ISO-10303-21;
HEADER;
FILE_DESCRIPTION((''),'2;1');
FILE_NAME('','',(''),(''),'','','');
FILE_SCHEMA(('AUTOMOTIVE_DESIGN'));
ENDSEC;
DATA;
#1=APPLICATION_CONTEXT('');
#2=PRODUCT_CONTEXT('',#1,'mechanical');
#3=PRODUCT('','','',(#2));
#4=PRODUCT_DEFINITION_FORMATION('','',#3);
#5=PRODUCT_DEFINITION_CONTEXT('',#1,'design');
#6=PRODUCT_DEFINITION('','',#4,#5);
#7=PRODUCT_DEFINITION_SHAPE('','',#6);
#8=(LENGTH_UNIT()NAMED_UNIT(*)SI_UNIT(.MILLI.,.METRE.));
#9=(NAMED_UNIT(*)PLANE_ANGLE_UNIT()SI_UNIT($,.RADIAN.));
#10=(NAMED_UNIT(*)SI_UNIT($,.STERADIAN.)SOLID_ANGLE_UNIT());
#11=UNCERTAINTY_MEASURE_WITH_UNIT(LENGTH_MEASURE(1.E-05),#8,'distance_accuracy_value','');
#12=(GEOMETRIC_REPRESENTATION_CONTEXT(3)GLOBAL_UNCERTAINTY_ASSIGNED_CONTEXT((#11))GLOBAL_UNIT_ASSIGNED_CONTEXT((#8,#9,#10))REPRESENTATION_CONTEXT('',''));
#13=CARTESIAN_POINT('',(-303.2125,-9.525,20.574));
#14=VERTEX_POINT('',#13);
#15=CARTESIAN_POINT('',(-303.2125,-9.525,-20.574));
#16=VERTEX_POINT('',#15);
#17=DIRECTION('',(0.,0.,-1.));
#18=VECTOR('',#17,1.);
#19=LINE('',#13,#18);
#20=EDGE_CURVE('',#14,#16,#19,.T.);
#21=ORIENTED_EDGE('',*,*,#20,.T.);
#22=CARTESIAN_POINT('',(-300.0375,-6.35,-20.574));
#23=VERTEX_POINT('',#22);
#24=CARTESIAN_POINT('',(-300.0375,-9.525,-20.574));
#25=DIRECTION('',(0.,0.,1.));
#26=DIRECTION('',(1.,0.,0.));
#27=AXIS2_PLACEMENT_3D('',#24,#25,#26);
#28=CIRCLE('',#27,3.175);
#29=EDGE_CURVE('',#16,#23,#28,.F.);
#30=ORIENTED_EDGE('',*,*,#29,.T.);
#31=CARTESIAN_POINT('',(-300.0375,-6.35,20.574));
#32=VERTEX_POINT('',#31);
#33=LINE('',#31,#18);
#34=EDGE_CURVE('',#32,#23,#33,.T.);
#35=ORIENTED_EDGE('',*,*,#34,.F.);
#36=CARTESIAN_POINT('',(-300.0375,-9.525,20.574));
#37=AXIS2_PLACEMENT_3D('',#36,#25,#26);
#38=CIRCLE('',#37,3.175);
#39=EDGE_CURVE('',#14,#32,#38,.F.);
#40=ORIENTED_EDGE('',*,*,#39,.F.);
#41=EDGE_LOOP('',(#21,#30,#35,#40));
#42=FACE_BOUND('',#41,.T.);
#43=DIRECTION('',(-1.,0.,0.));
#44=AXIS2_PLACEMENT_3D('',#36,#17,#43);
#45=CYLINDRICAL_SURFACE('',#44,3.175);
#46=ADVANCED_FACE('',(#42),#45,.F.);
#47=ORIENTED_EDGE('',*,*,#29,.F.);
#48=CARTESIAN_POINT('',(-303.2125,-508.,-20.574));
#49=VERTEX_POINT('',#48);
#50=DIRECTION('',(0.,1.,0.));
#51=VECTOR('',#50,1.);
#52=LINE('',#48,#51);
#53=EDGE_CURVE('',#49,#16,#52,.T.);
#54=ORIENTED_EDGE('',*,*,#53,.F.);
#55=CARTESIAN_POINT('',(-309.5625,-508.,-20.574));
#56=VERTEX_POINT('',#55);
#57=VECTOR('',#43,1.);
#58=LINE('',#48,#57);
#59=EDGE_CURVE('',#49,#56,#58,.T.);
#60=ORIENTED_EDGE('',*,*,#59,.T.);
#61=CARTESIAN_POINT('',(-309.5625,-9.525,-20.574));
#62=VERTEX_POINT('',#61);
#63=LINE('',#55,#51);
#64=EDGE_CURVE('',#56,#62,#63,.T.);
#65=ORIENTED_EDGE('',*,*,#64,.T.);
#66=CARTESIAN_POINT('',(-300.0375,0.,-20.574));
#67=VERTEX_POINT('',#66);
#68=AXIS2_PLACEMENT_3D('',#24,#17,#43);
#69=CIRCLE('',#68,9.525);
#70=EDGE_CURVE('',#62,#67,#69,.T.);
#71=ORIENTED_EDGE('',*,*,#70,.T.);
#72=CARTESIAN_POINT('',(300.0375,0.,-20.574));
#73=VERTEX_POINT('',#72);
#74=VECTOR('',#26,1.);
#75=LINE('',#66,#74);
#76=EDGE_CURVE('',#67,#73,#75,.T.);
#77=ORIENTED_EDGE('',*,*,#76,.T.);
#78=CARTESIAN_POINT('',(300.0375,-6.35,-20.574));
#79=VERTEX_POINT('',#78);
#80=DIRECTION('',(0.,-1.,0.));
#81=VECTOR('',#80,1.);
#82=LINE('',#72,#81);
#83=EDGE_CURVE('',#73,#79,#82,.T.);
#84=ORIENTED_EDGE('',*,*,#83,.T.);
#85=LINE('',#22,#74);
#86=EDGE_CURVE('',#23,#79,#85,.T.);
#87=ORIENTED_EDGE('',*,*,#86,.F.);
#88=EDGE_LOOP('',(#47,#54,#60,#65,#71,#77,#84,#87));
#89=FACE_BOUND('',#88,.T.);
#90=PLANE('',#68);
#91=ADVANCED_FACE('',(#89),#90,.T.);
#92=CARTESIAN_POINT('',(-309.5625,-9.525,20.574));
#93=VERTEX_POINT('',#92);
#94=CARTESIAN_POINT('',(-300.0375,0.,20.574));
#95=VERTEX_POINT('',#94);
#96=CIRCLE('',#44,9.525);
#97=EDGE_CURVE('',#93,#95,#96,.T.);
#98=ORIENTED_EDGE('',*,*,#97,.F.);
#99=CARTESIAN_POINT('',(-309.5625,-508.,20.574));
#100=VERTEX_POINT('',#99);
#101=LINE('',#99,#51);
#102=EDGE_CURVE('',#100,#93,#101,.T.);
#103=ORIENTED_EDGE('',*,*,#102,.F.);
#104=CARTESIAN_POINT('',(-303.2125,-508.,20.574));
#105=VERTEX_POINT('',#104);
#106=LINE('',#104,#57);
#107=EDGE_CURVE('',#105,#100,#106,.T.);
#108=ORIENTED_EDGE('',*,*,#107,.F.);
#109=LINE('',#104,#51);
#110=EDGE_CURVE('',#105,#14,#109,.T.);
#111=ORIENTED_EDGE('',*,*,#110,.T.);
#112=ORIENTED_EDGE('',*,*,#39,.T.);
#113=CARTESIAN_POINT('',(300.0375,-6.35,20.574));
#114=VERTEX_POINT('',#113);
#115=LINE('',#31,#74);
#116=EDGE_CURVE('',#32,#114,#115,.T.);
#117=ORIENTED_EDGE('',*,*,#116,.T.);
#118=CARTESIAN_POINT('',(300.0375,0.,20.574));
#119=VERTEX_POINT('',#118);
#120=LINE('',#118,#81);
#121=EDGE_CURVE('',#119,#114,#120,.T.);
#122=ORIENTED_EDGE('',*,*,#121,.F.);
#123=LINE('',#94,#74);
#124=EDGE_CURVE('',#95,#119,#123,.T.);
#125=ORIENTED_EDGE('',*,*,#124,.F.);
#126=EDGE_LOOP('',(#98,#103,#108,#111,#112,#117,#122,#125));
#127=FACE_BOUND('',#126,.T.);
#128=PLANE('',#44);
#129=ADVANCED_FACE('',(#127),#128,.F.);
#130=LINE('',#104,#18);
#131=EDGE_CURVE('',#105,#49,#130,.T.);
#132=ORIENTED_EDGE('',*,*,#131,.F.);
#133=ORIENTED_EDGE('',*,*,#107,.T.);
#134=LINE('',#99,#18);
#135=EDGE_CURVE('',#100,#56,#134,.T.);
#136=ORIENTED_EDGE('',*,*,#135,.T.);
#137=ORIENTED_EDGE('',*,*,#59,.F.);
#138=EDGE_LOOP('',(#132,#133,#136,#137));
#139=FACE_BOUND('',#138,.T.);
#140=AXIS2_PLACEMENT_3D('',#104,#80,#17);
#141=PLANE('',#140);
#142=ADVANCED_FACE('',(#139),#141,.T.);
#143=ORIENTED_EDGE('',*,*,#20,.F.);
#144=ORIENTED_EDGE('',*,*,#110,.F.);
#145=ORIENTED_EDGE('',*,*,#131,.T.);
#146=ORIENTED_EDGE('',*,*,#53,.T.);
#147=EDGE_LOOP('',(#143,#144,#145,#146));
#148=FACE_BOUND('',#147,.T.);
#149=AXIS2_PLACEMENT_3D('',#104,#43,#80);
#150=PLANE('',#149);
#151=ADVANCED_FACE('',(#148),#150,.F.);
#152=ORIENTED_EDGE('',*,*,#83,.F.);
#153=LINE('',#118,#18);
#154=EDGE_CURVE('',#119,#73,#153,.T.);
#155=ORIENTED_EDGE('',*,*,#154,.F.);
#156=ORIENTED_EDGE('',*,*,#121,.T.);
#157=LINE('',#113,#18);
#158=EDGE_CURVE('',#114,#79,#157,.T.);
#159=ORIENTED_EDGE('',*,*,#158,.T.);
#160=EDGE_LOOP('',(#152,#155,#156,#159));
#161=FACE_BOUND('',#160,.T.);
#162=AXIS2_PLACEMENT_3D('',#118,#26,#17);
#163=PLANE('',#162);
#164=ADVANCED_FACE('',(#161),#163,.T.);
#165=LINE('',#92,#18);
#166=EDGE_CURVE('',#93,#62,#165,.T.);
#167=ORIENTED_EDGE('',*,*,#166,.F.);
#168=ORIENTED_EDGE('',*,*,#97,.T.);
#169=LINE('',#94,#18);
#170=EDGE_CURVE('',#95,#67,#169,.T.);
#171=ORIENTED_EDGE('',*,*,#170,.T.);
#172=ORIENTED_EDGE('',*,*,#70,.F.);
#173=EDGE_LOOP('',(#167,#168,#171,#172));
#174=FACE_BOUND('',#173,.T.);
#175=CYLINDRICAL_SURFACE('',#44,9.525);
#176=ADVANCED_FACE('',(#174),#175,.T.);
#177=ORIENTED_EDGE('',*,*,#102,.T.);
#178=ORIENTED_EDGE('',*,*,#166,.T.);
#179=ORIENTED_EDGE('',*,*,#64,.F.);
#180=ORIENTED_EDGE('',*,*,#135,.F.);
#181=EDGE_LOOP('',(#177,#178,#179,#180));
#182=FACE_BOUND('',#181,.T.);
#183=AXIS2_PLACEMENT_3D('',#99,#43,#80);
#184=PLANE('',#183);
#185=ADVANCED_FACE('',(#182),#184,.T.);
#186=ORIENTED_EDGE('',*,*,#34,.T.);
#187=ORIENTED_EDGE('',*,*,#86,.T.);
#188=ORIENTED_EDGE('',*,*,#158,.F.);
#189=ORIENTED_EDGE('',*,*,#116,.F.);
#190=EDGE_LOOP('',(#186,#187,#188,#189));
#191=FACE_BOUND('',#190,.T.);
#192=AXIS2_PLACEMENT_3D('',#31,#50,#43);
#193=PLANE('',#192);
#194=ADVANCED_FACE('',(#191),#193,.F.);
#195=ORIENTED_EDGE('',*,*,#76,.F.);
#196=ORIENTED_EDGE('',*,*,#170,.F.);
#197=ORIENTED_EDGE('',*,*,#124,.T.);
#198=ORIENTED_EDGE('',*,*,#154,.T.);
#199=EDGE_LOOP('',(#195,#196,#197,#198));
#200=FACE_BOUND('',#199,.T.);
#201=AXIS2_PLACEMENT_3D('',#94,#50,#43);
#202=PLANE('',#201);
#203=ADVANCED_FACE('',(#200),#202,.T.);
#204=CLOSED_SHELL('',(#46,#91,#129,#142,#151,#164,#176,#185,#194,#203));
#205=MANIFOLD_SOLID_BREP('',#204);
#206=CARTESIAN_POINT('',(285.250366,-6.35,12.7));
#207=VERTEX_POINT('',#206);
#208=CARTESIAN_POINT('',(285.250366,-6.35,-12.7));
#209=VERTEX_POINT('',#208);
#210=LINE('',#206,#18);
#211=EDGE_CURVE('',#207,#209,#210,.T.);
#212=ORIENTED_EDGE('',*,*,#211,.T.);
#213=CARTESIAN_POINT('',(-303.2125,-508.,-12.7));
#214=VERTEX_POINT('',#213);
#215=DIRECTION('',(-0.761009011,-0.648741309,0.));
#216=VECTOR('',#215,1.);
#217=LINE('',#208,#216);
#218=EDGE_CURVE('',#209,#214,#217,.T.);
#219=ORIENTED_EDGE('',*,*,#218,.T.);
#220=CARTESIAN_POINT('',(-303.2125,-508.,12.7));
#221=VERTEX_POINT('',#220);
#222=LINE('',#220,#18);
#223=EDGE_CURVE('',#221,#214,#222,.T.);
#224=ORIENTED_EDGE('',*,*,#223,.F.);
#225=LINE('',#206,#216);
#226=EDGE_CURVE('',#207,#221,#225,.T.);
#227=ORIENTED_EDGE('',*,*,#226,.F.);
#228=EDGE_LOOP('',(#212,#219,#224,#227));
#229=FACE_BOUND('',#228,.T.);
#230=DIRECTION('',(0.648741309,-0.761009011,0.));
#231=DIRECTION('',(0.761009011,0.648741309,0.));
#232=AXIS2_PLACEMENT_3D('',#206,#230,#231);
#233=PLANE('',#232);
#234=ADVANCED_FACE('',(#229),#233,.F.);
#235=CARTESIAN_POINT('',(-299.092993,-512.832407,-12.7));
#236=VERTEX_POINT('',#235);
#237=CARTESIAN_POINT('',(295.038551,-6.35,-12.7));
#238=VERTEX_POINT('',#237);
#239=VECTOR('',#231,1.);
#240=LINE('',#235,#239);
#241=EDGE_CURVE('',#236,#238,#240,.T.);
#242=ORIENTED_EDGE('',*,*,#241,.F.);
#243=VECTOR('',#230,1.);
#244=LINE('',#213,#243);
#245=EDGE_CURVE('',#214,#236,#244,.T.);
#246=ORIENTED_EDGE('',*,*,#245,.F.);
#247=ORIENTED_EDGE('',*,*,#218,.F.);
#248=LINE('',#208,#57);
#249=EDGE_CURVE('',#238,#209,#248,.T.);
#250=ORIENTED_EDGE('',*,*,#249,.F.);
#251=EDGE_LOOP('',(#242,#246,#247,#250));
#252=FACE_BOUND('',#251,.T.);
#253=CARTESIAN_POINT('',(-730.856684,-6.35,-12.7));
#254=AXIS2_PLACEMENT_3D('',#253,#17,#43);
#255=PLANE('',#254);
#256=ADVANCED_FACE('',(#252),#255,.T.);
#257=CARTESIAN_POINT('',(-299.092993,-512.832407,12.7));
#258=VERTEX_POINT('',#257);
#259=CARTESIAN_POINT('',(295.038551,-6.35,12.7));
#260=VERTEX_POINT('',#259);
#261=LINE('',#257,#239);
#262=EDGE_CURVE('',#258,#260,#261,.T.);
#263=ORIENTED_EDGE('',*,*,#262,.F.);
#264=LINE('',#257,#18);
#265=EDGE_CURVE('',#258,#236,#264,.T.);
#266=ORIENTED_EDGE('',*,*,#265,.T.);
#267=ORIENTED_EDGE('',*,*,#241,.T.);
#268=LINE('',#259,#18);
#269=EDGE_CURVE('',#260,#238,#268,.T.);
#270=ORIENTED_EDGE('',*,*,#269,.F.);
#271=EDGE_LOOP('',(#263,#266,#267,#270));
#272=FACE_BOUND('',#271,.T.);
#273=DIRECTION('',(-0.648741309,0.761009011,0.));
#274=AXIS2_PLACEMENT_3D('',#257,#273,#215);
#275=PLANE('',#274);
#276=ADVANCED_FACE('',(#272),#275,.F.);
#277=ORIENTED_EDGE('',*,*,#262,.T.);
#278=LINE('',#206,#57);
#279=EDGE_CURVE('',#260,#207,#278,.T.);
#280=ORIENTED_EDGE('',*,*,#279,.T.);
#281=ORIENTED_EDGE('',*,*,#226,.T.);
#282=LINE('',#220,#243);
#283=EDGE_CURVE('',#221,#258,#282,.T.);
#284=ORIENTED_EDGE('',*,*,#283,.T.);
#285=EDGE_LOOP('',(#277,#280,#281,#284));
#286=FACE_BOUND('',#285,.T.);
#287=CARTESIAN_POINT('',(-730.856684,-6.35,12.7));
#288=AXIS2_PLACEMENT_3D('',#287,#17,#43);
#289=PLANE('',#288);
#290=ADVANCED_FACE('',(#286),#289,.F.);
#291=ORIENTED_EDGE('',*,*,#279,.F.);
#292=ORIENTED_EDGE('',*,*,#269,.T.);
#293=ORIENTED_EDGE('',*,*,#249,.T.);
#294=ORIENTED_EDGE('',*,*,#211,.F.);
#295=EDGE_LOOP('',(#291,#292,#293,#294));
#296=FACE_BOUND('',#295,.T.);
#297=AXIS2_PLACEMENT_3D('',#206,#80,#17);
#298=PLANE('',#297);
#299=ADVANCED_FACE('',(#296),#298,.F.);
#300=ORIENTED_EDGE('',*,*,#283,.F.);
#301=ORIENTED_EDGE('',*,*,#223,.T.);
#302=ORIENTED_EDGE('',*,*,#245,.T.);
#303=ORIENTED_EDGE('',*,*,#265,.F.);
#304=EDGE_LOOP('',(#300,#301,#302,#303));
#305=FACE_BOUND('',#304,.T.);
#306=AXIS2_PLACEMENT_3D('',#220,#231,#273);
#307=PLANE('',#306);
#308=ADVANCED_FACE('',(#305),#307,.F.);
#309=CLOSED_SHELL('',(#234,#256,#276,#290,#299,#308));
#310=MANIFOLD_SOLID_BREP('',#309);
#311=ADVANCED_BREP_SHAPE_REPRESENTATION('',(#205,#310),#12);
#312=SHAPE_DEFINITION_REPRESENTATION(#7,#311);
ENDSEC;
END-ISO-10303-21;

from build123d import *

# Parameters (mm, degrees)
EXTRUDE_THIN1_DEPTH = 20.574
BOSS_EXTRUDE1_DEPTH = 12.7


with BuildPart() as part:
    # Sketch1 → Extrude-Thin1 (new, symmetric)
    with BuildSketch(Plane.XY):
        with BuildLine():
            Line((-309.5625, -508), (-309.5625, -9.525))
            ThreePointArc((-309.5625, -9.525), (-306.772692091, -2.789807909), (-300.0375, 0))
            Line((-300.0375, 0), (300.0375, 0))
            Line((300.0375, 0), (300.0375, -6.35))
            Line((300.0375, -6.35), (-300.0375, -6.35))
            ThreePointArc((-300.0375, -6.35), (-302.28256403, -7.27993597), (-303.2125, -9.525))
            Line((-303.2125, -9.525), (-303.2125, -508))
            Line((-303.2125, -508), (-309.5625, -508))
        make_face()
    extrude(amount=EXTRUDE_THIN1_DEPTH, both=True)


with BuildPart() as body_2:
    # Sketch2 → Boss-Extrude1 (new, symmetric)
    with BuildSketch(Plane.XY):
        Polygon((285.250366412, -6.35), (-303.2125, -508), (-299.092992689, -512.832407217), (295.038551492, -6.35), align=None)
    extrude(amount=BOSS_EXTRUDE1_DEPTH, both=True)


solid = Compound([part.part, body_2.part])
